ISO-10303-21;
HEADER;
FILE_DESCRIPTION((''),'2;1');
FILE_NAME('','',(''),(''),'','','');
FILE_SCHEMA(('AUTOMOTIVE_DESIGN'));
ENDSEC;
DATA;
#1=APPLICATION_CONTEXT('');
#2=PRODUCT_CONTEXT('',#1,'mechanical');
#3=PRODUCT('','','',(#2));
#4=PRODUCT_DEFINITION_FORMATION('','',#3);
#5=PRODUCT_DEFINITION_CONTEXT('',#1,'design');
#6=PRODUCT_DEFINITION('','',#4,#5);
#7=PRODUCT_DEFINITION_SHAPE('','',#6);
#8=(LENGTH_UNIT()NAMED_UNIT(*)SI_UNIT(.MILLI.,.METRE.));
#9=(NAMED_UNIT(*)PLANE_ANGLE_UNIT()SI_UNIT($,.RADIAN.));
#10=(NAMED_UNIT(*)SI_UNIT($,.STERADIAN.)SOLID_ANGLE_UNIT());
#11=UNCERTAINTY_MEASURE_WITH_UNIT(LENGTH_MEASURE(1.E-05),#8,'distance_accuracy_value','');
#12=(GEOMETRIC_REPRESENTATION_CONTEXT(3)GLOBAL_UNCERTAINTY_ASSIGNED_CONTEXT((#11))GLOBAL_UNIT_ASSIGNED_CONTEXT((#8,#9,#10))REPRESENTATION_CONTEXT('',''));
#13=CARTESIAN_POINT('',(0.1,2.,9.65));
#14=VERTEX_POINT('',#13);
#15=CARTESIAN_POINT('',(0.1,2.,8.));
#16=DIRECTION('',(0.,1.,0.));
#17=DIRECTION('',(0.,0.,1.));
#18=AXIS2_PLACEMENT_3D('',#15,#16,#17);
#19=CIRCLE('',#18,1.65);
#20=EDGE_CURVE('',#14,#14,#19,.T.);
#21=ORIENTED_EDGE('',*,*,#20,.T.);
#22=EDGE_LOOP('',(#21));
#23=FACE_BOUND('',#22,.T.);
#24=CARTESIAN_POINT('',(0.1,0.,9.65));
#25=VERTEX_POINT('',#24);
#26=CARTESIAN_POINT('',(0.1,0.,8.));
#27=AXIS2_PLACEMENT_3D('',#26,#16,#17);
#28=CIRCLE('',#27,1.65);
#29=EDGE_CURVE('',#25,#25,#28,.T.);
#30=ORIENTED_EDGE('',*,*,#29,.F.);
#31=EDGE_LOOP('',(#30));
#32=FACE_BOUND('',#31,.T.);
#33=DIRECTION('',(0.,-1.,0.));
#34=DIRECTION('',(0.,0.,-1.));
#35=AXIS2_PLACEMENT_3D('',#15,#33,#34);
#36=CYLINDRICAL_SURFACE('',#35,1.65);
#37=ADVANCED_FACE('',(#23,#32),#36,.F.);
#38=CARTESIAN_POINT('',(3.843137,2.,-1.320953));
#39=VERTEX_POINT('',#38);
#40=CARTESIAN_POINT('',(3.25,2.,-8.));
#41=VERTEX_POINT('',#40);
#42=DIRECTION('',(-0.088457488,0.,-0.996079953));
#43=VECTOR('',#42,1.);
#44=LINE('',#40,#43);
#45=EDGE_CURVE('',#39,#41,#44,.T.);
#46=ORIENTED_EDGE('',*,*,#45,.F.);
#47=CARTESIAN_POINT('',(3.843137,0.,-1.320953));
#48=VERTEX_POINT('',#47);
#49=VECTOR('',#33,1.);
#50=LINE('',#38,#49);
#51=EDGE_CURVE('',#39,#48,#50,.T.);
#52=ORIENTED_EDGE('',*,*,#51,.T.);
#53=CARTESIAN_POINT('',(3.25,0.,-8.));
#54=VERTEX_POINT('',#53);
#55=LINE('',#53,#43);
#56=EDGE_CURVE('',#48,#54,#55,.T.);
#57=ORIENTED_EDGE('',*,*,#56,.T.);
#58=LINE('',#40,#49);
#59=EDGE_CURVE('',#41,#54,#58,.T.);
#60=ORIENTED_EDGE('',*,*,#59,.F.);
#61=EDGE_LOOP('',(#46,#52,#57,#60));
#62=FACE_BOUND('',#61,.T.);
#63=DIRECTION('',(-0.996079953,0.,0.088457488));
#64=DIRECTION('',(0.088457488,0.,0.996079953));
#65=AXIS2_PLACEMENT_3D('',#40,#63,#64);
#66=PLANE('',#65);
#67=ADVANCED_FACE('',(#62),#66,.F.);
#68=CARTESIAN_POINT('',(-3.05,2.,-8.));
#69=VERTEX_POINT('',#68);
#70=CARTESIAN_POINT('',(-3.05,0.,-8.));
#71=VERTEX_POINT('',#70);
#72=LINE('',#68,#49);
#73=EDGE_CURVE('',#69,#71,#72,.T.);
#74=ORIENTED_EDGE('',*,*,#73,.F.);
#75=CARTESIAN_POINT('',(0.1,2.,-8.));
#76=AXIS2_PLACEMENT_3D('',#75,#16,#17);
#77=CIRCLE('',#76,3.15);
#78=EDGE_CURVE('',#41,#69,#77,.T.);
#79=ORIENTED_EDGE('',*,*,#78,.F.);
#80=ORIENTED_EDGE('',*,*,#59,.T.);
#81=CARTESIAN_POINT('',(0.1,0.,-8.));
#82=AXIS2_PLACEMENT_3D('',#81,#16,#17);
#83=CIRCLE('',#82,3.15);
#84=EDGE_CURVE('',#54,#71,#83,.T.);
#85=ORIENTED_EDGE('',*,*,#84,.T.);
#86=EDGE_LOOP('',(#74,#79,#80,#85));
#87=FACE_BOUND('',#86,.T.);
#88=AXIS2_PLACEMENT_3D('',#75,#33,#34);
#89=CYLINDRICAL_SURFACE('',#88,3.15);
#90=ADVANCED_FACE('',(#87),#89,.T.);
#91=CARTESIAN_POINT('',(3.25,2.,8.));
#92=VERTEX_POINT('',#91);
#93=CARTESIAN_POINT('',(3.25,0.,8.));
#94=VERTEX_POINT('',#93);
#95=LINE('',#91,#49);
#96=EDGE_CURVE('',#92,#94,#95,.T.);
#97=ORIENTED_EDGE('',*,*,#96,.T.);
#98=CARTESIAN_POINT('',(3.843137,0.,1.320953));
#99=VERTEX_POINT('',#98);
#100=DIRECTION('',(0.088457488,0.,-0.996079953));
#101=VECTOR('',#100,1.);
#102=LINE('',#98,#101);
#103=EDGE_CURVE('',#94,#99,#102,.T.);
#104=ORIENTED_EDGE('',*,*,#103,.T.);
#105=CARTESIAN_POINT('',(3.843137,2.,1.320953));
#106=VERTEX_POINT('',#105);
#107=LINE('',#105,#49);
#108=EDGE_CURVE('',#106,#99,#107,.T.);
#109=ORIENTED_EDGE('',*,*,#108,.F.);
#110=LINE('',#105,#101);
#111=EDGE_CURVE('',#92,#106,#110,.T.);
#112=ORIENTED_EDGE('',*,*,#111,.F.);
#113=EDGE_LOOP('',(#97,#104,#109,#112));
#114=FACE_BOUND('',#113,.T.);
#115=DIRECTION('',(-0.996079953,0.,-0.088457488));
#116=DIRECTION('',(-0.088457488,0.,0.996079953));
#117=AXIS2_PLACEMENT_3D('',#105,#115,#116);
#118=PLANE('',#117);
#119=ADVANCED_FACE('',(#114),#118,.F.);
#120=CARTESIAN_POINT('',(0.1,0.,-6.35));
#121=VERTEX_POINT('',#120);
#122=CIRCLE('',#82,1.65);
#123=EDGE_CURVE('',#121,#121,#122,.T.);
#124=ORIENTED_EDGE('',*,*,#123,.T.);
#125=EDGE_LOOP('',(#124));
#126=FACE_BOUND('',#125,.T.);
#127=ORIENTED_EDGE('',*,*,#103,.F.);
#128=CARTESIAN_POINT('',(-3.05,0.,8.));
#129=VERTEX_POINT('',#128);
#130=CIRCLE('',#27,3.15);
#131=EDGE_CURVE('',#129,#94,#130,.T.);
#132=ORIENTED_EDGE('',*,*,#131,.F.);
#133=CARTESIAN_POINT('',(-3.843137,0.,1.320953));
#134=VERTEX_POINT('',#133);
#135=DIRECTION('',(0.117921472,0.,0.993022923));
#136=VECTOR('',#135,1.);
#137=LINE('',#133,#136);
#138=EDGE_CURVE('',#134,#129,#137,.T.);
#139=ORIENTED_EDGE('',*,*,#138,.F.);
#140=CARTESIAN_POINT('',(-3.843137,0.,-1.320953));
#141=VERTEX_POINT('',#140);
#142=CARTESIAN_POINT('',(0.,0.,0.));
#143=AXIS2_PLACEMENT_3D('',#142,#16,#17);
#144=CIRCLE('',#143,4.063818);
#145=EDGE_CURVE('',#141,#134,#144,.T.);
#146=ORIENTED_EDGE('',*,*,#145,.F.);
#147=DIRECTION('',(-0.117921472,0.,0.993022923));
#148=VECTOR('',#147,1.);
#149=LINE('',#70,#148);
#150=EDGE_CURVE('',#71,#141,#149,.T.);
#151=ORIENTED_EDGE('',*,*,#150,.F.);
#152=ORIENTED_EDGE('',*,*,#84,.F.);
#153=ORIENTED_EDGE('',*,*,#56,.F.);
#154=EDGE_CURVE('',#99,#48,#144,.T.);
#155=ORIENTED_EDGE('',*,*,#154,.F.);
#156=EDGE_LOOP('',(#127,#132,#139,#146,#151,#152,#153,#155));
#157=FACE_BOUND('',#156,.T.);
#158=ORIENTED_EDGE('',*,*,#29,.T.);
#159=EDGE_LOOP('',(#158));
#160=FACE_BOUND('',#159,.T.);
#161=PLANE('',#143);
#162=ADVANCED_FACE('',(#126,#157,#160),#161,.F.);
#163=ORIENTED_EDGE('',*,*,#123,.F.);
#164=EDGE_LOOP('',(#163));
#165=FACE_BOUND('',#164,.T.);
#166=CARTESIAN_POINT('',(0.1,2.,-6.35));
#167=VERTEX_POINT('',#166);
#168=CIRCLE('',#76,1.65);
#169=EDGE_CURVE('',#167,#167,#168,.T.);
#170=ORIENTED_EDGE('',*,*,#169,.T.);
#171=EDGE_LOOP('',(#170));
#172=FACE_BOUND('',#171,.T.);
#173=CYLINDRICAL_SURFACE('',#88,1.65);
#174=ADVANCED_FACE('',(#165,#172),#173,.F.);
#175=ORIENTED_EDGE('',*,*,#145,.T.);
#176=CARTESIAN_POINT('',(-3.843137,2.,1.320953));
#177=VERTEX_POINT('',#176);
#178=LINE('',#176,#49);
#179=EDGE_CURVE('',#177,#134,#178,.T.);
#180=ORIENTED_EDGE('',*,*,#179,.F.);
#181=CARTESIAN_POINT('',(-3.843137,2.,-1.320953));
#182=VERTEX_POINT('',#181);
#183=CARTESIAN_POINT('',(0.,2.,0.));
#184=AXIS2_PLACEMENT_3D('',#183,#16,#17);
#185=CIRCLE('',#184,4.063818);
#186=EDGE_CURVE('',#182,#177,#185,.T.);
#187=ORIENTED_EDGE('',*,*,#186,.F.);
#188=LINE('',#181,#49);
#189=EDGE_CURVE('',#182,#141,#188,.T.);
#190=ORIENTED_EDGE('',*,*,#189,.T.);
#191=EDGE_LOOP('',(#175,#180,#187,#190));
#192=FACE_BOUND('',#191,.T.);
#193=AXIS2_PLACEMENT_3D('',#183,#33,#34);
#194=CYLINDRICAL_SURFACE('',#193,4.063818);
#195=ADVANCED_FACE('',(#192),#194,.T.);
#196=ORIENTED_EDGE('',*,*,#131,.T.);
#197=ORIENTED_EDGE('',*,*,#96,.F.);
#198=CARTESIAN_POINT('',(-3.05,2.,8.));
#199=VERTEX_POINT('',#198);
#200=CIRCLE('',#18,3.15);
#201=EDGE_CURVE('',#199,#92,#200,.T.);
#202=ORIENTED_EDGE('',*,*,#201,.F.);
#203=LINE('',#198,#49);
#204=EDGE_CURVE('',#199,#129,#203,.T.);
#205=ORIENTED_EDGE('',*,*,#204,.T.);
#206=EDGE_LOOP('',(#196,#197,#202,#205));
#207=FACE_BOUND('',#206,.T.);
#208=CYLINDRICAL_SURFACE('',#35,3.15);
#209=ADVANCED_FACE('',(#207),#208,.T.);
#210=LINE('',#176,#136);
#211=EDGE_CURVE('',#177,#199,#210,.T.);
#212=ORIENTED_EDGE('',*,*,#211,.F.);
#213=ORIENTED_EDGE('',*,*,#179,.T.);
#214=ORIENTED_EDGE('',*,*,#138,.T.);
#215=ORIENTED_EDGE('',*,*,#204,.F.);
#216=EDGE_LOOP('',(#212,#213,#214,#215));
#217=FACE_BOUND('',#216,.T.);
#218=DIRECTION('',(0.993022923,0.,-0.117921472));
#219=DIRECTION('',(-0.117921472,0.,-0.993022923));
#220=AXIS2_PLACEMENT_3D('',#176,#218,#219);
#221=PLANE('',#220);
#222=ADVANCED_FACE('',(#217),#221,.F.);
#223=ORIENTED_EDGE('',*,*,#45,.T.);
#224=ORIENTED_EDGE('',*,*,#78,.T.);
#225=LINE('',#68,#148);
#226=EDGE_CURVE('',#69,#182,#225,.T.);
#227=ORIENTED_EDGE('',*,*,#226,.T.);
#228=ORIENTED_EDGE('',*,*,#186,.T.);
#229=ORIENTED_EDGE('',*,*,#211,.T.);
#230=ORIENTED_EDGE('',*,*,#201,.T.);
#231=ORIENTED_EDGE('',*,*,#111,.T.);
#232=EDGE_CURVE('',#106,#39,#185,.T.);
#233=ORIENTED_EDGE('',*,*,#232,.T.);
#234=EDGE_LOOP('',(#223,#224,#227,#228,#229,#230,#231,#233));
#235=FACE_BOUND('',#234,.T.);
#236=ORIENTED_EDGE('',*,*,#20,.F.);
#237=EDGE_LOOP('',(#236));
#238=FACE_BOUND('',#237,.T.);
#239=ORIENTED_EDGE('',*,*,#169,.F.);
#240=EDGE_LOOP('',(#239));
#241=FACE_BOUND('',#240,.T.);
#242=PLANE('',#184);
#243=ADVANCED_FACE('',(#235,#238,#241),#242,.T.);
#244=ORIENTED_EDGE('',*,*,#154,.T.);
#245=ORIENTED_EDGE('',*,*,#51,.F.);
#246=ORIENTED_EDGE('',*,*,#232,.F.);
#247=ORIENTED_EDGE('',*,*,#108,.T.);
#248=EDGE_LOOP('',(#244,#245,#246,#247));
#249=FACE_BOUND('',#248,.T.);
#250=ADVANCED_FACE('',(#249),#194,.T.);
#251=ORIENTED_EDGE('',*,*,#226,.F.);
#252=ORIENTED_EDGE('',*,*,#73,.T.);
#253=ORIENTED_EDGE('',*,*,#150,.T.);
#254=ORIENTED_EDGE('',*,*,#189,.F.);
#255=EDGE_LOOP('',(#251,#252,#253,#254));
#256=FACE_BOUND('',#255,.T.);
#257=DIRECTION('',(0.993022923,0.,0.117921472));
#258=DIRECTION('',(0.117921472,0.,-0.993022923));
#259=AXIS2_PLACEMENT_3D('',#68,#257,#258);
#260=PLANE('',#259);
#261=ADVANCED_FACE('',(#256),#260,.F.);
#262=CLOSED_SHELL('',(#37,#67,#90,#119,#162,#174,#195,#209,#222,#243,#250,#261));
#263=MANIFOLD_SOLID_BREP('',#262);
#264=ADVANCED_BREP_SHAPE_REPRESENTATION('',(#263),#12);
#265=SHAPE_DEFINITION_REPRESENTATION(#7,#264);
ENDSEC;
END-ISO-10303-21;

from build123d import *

# Parameters (mm, degrees)
CROQUIS1_R              = 1.65
SALIENTE_EXTRUIR1_DEPTH = 2


with BuildPart() as part:
    # Croquis1 → Saliente-Extruir1 (new body)
    with BuildSketch(Plane(origin=(0, 0, 0), x_dir=(1, 0, 0), z_dir=(0, 1, 0))):
        with BuildLine():
            Line((-3.05, 8), (-3.843136882, 1.320952577))
            ThreePointArc((-3.843136882, 1.320952577), (-4.063818008, 0), (-3.843136882, -1.320952577))
            Line((-3.843136882, -1.320952577), (-3.05, -8))
            ThreePointArc((-3.05, -8), (0.1, -11.15), (3.25, -8))
            Line((3.25, -8), (3.843136882, -1.320952577))
            ThreePointArc((3.843136882, -1.320952577), (4.063818008, 0), (3.843136882, 1.320952577))
            Line((3.843136882, 1.320952577), (3.25, 8))
            ThreePointArc((3.25, 8), (0.1, 11.15), (-3.05, 8))
        make_face()
        with Locations(Location((0.1, 8, 0), (0, 0, 270))):
            Circle(CROQUIS1_R, mode=Mode.SUBTRACT)
        with Locations(Location((0.1, -8, 0), (0, 0, 270))):
            Circle(CROQUIS1_R, mode=Mode.SUBTRACT)
    extrude(amount=SALIENTE_EXTRUIR1_DEPTH)


solid = part.part
